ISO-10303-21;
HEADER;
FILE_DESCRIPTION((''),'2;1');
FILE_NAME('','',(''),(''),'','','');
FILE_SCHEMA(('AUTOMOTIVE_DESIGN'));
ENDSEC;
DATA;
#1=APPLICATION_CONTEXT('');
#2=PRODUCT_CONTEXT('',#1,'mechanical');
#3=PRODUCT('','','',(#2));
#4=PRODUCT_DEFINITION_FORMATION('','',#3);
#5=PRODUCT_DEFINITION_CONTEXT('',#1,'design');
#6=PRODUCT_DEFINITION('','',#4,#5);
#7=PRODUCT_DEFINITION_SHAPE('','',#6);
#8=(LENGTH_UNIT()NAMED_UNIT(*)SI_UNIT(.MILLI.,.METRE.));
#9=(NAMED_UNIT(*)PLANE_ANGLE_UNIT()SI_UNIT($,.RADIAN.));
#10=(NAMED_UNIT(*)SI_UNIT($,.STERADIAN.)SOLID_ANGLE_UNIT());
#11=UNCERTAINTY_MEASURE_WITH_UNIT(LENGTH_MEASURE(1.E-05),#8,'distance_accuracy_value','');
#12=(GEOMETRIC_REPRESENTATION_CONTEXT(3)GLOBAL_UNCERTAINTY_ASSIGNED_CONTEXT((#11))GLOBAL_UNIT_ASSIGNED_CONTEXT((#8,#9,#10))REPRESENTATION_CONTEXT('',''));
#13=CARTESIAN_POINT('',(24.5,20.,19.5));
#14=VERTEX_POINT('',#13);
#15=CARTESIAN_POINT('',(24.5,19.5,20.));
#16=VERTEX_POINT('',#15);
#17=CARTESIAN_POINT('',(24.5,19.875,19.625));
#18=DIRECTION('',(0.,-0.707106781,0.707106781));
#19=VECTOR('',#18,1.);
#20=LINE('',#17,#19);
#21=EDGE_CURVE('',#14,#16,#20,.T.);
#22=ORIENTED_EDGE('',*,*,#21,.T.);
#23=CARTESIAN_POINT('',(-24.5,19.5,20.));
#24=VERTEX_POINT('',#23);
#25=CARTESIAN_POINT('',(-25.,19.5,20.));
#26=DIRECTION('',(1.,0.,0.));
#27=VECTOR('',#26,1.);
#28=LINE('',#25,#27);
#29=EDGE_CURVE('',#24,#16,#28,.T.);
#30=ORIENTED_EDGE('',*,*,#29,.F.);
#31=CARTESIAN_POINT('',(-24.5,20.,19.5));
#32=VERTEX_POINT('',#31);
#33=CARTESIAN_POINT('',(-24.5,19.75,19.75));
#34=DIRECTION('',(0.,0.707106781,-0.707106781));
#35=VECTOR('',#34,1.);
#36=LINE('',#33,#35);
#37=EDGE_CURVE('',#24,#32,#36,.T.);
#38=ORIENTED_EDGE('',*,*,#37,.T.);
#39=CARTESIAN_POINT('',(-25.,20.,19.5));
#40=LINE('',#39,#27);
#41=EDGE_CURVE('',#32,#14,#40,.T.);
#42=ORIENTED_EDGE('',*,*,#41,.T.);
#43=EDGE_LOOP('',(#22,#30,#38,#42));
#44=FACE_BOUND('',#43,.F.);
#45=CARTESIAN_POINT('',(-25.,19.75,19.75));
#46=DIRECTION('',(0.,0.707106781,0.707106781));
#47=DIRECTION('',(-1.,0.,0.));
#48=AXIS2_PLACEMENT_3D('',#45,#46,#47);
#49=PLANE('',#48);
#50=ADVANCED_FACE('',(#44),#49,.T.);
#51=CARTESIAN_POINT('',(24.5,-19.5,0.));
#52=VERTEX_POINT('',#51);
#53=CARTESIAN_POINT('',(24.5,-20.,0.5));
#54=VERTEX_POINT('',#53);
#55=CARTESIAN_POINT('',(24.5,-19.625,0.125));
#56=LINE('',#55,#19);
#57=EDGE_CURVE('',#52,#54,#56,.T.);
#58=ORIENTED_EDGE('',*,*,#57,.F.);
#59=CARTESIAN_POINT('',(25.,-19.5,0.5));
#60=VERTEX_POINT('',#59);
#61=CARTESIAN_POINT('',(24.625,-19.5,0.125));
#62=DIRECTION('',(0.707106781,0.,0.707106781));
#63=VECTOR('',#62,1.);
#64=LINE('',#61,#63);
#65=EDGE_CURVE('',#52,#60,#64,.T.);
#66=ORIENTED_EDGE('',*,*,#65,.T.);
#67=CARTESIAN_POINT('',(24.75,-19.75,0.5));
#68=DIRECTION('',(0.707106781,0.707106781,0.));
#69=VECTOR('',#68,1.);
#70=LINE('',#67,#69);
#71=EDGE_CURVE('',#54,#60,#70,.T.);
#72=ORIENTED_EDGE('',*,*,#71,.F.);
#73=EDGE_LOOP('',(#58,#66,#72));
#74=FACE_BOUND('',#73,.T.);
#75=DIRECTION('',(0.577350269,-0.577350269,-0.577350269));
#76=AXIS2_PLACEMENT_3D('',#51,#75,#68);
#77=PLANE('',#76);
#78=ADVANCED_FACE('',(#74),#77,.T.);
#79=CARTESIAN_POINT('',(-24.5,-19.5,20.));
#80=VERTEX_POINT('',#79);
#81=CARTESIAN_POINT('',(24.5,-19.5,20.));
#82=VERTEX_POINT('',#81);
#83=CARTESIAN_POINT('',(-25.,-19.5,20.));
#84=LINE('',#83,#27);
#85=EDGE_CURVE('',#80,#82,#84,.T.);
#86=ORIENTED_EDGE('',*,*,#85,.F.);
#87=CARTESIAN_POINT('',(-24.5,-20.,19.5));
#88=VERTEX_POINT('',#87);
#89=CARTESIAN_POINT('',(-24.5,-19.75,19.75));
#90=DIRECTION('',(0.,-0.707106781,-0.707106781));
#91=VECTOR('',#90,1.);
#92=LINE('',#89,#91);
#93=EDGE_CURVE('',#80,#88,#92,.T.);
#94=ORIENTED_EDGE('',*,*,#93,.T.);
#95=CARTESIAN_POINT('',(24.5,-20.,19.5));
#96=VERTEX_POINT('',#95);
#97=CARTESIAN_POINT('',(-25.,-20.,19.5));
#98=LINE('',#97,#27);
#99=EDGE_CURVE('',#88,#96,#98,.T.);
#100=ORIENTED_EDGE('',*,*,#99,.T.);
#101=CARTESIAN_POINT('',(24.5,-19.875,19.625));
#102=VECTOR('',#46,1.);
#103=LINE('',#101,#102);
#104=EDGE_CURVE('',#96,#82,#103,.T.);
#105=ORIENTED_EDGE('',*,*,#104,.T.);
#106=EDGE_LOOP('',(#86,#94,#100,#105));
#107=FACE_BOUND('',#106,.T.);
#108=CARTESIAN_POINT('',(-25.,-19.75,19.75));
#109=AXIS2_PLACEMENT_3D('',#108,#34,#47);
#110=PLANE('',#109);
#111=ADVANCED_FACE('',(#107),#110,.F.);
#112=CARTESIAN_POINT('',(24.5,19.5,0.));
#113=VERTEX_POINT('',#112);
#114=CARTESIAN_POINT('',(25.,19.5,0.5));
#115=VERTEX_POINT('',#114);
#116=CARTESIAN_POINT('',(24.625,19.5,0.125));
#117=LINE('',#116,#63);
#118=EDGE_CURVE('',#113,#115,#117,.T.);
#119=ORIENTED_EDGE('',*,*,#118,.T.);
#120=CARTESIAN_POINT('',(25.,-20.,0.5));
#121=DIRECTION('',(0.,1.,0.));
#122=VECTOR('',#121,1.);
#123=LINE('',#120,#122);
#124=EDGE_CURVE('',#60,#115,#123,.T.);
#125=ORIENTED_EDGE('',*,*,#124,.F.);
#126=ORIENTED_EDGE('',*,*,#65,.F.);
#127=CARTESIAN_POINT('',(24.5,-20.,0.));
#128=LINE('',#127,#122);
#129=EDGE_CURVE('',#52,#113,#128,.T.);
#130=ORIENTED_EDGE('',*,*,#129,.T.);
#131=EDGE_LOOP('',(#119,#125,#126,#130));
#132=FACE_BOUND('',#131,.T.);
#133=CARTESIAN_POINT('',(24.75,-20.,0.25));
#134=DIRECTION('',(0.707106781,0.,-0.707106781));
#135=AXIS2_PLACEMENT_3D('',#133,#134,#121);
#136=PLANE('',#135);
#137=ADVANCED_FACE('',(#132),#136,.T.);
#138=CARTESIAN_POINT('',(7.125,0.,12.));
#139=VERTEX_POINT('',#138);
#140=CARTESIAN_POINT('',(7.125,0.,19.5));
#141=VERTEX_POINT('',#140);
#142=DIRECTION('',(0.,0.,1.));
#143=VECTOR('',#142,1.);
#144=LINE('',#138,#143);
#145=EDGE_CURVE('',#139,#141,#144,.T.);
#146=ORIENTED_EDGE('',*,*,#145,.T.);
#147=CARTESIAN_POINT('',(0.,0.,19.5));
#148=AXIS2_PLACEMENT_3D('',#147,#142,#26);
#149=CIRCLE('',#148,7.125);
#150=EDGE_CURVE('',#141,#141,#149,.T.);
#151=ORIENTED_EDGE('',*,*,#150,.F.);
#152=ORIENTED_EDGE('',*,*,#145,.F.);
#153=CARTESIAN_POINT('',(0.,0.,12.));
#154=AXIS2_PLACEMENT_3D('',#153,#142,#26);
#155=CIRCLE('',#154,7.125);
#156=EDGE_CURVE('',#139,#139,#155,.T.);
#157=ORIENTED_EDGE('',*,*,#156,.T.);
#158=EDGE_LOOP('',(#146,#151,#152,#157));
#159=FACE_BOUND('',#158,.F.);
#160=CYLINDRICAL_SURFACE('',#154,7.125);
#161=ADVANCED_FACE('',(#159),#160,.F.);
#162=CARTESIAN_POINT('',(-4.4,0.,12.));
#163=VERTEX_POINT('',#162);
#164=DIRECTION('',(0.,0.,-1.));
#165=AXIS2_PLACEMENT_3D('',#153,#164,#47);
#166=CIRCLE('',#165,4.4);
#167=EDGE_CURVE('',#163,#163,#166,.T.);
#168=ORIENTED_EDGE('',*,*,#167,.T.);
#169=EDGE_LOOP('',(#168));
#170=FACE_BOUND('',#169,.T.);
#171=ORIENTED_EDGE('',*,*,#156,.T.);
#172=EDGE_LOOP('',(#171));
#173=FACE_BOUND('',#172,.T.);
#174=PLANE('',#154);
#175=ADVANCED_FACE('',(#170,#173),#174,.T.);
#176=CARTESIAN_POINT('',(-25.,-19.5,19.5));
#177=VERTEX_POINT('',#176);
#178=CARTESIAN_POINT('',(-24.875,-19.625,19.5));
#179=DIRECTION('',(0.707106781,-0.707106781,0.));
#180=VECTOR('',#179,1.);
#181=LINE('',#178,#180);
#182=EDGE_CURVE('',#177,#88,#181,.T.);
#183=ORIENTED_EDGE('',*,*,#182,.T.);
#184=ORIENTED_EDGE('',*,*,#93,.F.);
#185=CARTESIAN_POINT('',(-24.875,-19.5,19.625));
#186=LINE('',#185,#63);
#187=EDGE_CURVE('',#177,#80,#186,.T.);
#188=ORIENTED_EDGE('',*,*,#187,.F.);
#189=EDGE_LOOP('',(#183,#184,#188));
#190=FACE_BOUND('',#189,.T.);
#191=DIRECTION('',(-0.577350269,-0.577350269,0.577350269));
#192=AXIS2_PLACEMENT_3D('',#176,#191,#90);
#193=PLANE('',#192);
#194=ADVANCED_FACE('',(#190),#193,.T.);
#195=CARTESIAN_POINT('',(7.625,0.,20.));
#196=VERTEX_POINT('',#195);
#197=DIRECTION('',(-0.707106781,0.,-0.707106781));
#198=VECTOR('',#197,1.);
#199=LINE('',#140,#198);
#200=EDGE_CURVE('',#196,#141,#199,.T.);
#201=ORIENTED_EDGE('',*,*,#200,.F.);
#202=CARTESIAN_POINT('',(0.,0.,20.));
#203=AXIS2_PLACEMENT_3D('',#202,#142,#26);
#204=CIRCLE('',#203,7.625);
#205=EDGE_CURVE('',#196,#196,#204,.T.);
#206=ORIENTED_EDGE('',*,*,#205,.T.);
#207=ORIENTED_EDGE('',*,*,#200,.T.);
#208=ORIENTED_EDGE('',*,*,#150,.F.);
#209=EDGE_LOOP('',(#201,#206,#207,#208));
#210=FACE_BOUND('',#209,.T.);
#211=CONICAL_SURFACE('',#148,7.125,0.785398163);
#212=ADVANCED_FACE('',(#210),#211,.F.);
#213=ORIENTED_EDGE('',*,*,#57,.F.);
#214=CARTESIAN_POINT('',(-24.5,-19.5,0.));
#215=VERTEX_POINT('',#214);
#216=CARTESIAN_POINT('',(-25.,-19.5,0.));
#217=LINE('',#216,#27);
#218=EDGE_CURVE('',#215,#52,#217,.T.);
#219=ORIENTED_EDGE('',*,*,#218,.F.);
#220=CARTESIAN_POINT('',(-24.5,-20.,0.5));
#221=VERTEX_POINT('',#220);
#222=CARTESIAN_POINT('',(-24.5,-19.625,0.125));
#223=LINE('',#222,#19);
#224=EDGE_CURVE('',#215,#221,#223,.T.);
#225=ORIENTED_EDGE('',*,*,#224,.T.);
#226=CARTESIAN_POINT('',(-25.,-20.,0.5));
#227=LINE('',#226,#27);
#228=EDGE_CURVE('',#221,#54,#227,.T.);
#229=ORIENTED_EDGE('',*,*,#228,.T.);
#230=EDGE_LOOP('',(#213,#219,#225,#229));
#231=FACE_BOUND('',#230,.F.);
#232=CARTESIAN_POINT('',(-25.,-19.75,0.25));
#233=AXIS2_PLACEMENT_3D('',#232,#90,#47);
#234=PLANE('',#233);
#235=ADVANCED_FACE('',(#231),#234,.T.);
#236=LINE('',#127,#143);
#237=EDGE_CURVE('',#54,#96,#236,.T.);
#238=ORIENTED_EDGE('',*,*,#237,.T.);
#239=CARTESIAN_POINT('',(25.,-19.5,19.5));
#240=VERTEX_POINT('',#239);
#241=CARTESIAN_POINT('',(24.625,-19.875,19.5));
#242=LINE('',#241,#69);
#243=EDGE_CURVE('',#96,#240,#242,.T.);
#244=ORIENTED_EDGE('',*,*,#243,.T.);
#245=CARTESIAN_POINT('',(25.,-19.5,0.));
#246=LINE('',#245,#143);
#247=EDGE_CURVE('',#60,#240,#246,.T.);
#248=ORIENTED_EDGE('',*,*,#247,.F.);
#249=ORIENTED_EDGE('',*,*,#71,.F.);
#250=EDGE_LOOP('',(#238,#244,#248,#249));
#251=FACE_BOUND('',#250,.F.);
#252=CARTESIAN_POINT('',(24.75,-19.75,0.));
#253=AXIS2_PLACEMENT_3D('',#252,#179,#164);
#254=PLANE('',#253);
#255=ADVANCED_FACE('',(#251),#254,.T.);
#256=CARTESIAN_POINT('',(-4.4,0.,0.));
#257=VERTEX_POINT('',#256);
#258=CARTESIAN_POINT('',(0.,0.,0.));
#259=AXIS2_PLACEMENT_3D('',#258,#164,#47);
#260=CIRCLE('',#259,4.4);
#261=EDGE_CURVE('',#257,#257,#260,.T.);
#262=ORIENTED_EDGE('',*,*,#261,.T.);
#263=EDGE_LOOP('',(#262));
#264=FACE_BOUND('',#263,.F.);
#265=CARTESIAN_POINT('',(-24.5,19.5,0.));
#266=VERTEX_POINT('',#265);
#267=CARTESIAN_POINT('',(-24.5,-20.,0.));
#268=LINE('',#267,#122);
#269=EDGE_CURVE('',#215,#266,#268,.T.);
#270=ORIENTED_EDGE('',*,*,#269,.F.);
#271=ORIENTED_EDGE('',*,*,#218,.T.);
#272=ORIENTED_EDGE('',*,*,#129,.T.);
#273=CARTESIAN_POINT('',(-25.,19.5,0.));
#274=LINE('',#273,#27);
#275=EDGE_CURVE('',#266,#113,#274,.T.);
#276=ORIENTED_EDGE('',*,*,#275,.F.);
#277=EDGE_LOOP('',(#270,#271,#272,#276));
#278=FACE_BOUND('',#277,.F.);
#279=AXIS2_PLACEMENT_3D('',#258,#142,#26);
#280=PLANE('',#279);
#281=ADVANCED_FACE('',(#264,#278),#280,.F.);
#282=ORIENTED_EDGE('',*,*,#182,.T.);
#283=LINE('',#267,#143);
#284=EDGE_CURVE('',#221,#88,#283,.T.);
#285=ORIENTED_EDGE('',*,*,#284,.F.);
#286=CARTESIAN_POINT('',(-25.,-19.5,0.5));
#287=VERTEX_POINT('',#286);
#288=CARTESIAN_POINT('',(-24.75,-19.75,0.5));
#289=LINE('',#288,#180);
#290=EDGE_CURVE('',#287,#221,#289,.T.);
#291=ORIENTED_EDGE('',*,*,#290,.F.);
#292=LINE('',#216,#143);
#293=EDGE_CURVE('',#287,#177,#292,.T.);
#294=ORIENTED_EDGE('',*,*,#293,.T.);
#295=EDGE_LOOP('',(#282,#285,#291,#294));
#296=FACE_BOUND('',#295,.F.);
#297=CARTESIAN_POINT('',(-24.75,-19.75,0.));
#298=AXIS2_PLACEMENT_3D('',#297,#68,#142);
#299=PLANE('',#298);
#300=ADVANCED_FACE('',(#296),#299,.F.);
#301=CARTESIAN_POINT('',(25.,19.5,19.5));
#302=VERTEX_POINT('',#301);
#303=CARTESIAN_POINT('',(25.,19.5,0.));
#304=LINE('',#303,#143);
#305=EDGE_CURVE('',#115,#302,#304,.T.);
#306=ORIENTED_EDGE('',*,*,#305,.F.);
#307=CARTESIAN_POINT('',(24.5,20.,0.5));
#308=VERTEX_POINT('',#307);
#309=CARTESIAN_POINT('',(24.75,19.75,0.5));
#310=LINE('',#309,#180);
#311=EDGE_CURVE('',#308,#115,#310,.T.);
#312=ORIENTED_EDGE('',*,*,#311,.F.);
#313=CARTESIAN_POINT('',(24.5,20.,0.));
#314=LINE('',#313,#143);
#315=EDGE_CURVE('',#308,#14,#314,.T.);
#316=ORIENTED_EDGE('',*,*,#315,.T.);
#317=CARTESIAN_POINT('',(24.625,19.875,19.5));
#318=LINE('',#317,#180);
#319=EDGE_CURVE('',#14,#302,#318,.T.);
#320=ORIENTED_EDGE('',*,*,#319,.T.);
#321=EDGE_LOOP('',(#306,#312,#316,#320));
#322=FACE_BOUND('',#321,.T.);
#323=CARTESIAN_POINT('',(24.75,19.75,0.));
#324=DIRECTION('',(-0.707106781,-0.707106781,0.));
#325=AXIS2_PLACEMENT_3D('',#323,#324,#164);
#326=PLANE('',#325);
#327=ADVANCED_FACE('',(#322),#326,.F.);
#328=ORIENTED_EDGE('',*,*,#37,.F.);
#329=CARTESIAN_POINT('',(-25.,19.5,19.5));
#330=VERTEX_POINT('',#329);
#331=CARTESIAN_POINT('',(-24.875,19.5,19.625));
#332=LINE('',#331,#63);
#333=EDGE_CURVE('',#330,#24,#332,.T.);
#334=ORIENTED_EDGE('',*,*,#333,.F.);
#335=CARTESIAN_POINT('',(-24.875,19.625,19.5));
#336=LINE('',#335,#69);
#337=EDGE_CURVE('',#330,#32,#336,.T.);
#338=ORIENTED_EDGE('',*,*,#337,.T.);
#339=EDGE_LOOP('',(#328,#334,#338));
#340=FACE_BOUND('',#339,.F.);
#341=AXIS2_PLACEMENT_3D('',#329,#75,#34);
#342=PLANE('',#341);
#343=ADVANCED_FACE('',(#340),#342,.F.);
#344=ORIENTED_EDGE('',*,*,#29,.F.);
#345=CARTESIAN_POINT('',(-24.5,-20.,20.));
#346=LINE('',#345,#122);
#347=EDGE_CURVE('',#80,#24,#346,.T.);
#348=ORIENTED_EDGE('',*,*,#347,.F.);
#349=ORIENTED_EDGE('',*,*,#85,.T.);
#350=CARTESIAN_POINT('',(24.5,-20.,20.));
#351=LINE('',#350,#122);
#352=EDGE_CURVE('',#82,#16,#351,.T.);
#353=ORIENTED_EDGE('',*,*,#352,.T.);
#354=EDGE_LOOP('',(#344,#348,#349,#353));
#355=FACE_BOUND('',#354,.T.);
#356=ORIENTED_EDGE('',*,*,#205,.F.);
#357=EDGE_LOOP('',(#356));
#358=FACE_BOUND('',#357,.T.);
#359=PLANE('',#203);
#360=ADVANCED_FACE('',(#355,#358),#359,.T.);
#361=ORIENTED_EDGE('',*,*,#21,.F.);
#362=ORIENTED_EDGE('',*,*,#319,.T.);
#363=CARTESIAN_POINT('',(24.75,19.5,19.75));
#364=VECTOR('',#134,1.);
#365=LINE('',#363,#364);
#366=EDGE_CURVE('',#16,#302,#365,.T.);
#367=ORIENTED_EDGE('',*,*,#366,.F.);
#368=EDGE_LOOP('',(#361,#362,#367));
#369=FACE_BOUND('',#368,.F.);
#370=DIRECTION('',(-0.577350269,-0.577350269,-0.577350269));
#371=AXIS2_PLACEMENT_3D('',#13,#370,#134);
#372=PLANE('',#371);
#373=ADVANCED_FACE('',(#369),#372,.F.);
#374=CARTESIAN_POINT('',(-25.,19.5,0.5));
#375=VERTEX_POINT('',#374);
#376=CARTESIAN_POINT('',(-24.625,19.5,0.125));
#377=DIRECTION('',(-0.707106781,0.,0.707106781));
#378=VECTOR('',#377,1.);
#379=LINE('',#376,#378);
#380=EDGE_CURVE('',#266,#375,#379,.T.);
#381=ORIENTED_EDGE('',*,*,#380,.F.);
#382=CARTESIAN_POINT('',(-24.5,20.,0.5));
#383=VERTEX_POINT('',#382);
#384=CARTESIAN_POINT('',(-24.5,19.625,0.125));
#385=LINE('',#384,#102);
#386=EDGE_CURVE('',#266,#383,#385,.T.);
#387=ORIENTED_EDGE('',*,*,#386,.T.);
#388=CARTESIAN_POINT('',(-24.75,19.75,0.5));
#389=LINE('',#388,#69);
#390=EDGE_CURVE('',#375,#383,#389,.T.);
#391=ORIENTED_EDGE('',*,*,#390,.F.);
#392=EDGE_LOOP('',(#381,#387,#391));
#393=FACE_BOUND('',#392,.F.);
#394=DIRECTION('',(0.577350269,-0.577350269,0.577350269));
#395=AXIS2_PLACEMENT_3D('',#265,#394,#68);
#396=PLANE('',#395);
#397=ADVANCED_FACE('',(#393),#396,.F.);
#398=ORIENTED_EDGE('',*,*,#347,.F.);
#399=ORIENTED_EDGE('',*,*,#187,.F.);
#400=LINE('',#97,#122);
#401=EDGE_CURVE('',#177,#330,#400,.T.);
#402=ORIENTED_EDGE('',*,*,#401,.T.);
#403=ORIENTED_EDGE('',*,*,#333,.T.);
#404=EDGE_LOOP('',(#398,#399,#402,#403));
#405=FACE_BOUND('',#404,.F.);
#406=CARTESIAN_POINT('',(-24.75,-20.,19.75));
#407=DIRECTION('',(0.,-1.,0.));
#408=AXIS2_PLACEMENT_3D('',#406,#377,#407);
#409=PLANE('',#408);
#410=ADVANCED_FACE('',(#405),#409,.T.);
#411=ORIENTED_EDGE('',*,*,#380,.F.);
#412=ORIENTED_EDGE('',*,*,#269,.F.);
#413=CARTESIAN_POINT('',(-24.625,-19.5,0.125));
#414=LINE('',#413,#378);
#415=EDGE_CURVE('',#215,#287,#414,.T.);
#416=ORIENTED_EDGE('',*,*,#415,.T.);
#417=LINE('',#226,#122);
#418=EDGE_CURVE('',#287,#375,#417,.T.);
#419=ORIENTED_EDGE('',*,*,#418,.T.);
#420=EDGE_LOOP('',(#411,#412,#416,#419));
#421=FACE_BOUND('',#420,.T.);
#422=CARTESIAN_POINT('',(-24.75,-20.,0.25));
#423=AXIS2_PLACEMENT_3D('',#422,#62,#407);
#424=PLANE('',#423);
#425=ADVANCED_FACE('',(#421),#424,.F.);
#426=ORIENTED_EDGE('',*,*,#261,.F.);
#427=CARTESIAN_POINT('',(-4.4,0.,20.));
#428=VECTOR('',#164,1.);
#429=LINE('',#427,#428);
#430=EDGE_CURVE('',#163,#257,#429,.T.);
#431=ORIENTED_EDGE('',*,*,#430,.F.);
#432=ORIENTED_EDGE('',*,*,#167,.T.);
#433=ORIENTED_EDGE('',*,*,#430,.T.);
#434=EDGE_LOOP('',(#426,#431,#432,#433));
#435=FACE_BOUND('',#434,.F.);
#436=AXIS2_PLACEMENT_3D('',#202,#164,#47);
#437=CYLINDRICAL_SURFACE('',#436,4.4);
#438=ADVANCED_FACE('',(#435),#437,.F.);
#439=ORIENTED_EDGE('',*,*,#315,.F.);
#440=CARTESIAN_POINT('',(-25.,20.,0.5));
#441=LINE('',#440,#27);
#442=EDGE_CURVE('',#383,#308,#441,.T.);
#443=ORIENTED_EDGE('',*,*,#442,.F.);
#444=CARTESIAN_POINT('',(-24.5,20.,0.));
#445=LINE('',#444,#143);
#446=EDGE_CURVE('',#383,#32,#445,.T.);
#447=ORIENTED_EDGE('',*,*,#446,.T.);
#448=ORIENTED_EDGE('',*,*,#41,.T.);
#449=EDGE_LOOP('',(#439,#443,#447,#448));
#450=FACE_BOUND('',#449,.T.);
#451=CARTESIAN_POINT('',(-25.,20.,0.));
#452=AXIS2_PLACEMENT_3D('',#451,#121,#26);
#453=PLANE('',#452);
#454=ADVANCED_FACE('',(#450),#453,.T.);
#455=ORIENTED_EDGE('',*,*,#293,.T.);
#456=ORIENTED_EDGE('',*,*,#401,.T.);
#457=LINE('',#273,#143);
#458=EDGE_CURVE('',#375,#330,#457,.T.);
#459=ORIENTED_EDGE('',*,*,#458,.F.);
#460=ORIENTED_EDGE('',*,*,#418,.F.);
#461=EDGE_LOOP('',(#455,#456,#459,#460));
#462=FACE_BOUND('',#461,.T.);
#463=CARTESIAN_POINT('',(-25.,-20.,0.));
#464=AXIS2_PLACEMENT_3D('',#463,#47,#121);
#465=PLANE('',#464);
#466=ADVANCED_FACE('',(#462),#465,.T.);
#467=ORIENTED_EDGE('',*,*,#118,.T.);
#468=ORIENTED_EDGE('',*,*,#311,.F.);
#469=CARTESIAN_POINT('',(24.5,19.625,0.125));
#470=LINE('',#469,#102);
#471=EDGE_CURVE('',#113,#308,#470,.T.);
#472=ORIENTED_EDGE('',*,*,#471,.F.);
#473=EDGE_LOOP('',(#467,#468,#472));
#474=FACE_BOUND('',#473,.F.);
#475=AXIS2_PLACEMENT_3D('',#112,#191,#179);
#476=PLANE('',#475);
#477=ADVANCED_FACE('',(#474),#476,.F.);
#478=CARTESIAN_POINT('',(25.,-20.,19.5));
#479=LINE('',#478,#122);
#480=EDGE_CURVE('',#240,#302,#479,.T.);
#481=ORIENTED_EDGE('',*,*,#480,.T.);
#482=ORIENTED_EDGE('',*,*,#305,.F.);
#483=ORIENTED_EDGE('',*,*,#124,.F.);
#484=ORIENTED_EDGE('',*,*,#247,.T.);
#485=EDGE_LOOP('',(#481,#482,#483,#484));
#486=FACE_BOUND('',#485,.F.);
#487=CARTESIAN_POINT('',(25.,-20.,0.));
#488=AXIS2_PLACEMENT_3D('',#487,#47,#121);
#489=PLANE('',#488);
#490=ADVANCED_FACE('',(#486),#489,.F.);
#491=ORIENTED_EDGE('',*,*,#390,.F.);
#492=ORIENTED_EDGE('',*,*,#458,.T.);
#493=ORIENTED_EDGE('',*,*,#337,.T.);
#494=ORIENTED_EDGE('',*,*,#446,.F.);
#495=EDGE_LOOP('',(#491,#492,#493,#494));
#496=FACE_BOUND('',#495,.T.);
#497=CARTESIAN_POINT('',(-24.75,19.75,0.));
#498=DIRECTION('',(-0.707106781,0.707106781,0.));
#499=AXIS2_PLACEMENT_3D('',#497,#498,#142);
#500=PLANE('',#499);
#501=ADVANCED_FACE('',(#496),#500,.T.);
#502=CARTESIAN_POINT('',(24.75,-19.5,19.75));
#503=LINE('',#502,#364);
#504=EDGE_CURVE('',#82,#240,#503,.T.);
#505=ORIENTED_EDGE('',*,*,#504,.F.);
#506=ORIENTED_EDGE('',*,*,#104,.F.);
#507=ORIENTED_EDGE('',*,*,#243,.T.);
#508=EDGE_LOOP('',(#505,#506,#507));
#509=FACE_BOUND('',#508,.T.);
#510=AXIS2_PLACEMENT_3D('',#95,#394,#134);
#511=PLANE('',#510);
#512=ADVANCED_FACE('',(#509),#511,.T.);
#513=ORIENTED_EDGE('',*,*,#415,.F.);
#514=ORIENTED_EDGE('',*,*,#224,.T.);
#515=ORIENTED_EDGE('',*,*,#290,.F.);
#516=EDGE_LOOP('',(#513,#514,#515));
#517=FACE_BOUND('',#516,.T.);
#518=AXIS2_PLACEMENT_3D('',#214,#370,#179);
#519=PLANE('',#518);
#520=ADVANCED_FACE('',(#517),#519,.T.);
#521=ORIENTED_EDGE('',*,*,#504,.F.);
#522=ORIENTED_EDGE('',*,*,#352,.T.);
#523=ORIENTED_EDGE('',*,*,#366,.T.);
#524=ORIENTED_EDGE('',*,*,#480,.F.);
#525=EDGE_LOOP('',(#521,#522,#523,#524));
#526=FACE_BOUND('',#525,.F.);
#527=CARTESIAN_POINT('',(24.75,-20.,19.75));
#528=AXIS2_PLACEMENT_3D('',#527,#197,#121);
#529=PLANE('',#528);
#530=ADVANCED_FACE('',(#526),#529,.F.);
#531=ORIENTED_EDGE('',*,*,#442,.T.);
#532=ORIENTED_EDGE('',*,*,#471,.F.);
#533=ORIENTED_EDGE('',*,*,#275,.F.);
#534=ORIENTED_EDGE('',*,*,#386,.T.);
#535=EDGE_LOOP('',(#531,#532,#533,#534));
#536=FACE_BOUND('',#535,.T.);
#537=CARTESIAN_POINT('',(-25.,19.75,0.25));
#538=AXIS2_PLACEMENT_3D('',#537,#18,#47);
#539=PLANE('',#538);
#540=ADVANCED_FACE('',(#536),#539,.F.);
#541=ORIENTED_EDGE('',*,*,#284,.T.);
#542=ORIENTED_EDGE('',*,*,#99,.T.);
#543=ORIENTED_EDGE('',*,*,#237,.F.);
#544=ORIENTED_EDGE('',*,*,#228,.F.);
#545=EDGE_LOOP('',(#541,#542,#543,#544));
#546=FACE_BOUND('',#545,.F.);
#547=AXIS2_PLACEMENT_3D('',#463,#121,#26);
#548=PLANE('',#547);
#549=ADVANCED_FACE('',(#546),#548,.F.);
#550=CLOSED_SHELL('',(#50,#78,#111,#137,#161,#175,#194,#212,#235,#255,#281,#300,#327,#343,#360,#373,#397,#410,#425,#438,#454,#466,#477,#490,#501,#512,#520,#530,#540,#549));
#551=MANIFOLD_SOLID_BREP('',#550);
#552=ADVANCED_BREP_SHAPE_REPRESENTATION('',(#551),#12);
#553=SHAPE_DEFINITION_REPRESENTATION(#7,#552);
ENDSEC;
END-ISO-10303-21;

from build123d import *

# Parameters (mm, degrees)
F0_W           = 50
F0_H           = 40
F1_DEPTH       = 20
F3_D           = 8.8
F3_CBORE_D     = 14.25
F3_CBORE_DEPTH = 8
F4_SIZE        = 0.5


with BuildPart() as f1:
    # F0 (on Top) → F1 (new body)
    with BuildSketch(Plane.XY):
        Rectangle(F0_W, F0_H)
    extrude(amount=F1_DEPTH)

    # F3 (through all)
    with Locations(Plane.XY.offset(20)):
        with Locations((0, 0)):
            CounterBoreHole(F3_D / 2, F3_CBORE_D / 2, F3_CBORE_DEPTH)

    # F4
    f4_edges = [f1.edges().sort_by_distance(p)[0] for p in [
        (25, 0, 20),
        (0, -20, 20),
        (0, 20, 20),
        (-25, 0, 20),
        (-7.125, 0, 20),
        (-25, 20, 10),
        (-25, -20, 10),
        (-25, 0, 0),
        (25, 20, 10),
        (0, 20, 0),
        (25, -20, 10),
        (0, -20, 0),
        (25, 0, 0),
    ]]
    chamfer(f4_edges, length=F4_SIZE)


solid = f1.part
